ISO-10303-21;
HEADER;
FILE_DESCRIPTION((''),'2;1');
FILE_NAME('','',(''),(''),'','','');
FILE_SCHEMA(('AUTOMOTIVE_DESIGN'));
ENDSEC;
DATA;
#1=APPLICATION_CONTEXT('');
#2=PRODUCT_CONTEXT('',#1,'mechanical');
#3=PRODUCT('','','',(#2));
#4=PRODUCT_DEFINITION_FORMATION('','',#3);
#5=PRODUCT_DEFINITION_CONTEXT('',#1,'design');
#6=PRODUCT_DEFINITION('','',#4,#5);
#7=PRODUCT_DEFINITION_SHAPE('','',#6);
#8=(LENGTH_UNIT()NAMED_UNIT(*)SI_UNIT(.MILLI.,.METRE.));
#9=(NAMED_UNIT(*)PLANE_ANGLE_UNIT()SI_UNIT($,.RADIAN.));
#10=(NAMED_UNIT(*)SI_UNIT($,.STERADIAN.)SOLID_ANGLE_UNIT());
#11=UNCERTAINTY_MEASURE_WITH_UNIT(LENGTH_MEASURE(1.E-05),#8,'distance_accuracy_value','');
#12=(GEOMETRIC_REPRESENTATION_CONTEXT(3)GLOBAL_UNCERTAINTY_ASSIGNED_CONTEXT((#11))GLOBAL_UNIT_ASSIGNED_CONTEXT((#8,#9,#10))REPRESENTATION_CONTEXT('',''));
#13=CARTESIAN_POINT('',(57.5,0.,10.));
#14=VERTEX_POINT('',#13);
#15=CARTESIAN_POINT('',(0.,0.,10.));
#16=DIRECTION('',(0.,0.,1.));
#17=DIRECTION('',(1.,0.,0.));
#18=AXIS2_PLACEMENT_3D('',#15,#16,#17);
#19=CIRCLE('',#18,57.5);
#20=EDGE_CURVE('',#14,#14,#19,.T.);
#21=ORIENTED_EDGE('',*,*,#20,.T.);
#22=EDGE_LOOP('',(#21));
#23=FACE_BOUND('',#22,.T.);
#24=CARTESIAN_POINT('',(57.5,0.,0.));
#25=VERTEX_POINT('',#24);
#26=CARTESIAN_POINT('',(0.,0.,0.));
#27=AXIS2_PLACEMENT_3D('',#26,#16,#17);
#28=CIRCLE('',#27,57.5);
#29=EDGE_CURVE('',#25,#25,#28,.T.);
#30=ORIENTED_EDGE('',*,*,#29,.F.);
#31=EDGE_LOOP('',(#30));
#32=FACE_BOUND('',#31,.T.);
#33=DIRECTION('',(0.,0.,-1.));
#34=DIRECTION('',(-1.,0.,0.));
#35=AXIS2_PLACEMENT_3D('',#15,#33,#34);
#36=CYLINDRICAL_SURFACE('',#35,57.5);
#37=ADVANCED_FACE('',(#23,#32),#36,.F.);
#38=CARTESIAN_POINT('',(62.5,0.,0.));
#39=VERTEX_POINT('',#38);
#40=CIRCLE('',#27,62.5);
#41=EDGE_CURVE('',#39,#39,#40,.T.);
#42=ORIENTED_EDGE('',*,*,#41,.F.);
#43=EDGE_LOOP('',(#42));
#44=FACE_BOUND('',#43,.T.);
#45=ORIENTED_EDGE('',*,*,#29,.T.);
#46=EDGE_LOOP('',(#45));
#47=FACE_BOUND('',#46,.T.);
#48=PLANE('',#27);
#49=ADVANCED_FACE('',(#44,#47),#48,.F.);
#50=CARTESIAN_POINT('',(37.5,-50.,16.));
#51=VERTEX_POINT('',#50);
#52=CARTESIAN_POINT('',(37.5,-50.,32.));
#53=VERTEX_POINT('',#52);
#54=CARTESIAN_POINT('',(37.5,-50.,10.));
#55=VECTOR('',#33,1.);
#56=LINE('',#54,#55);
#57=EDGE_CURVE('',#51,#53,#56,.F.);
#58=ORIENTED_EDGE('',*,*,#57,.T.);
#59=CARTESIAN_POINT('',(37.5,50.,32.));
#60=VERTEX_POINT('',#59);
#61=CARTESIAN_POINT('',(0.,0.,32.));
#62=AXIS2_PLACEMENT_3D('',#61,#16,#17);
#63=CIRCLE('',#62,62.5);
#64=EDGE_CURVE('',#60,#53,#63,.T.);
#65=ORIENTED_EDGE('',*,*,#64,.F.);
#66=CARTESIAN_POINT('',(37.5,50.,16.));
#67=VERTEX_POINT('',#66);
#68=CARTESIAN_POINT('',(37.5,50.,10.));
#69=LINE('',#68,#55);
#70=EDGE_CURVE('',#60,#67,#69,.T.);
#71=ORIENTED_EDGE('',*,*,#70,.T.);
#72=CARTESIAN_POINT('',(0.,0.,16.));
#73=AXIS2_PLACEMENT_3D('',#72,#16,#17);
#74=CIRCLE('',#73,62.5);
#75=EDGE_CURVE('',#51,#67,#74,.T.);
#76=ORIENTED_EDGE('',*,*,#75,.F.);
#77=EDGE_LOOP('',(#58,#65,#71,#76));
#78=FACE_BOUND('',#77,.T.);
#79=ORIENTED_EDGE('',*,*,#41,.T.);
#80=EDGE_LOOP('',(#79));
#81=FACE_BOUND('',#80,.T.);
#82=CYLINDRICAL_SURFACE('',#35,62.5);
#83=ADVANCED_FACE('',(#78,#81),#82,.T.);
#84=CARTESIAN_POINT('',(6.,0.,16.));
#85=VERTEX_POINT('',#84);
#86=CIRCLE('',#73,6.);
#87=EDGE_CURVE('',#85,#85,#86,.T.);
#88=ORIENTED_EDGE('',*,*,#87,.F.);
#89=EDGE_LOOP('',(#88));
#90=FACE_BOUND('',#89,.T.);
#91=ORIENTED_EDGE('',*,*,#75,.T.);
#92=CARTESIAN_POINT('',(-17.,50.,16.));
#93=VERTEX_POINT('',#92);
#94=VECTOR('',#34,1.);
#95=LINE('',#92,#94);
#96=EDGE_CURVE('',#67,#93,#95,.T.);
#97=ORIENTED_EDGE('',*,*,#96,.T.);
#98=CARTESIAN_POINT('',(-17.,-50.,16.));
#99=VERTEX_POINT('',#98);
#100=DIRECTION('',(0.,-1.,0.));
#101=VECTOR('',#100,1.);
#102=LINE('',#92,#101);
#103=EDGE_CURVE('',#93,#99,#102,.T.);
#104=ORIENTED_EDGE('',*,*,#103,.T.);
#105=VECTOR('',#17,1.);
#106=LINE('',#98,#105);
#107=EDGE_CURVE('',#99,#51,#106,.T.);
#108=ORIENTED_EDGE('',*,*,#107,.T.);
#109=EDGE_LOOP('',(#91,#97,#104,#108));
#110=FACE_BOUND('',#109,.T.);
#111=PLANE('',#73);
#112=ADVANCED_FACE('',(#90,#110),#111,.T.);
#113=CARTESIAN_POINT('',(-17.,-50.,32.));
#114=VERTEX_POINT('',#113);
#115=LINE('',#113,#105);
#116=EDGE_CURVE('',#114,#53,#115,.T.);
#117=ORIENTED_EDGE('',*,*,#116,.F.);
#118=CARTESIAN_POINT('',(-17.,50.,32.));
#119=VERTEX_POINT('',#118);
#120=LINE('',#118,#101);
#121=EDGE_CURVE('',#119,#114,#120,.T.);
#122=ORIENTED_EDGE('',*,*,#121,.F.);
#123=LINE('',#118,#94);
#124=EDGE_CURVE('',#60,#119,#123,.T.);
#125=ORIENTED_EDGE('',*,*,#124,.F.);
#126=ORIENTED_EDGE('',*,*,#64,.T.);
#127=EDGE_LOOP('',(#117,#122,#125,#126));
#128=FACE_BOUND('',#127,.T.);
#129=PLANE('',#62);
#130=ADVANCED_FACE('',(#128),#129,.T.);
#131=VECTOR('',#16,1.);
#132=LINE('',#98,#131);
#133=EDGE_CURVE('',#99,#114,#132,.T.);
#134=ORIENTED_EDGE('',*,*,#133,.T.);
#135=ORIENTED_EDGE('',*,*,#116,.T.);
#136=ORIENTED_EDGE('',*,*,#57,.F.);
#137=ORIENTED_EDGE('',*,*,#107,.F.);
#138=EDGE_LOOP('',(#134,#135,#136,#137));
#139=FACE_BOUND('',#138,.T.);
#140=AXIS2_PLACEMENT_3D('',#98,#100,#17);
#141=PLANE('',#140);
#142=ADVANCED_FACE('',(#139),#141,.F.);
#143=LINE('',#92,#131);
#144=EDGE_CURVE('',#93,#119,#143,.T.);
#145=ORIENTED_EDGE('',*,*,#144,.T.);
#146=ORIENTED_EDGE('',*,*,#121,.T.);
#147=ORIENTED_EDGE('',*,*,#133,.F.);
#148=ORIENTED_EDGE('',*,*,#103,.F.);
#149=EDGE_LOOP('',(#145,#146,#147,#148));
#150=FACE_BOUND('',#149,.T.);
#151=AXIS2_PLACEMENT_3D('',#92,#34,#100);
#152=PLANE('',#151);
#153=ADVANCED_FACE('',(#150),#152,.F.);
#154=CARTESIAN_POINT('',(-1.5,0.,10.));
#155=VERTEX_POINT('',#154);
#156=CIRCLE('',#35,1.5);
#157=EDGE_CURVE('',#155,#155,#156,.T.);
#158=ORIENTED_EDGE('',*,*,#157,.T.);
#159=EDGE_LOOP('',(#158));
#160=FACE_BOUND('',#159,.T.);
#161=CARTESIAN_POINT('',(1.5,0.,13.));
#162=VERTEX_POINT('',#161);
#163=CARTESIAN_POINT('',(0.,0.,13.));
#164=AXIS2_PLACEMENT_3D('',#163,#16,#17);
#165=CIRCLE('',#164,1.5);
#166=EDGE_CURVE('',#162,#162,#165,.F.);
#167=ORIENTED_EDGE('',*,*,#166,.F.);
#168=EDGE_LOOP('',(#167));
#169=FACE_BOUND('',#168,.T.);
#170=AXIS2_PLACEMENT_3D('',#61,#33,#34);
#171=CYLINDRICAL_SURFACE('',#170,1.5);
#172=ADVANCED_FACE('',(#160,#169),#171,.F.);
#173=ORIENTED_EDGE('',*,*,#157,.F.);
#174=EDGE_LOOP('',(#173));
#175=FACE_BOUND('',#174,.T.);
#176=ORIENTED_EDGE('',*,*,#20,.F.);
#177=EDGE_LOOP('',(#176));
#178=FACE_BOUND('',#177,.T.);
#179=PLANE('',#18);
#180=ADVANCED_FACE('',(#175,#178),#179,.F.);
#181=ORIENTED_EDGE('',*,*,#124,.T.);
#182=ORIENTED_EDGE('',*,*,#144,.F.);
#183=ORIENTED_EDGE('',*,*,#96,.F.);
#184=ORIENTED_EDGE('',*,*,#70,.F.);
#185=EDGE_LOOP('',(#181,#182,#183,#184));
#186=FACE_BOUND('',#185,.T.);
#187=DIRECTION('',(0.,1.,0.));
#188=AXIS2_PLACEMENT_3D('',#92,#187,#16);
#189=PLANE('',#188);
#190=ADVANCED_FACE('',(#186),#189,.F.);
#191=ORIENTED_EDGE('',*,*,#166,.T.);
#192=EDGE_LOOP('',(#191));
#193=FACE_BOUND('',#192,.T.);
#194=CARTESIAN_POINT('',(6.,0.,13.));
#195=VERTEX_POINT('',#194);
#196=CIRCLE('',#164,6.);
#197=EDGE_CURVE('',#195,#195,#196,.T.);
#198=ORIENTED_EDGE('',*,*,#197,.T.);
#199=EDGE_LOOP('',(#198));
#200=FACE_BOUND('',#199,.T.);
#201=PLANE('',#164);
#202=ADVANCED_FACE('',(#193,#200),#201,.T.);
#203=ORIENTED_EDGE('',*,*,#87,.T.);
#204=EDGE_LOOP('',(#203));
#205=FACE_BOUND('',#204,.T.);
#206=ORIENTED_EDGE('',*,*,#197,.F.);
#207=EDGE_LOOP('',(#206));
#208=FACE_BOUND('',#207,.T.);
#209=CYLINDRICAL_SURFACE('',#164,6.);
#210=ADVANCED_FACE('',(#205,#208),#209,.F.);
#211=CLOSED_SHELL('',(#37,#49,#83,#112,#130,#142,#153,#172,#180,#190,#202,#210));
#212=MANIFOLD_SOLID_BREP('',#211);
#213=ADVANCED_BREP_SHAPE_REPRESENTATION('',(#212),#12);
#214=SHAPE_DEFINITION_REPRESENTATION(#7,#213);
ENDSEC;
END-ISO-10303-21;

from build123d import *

# Parameters (mm, degrees)
SKETCH1_R           = 62.5
SKETCH1_R_2         = 57.5
BOSS_EXTRUDE1_DEPTH = 10
SKETCH2_R           = 62.5
BOSS_EXTRUDE2_DEPTH = 22
SKETCH3_R           = 1.5
CUT_EXTRUDE1_DEPTH  = 92.08512502
SKETCH4_W           = 100
SKETCH4_H           = 100
CUT_EXTRUDE2_DEPTH  = 16
SKETCH6_R           = 6
CUT_EXTRUDE3_DEPTH  = 3


with BuildPart() as part:
    # Sketch1 → Boss-Extrude1 (new body)
    with BuildSketch(Plane.XY):
        Circle(SKETCH1_R)
        Circle(SKETCH1_R_2, mode=Mode.SUBTRACT)
    extrude(amount=BOSS_EXTRUDE1_DEPTH)

    # Sketch2 → Boss-Extrude2 (add)
    with BuildSketch(Plane.XY.offset(10)):
        Circle(SKETCH2_R)
    extrude(amount=BOSS_EXTRUDE2_DEPTH)

    # Sketch3 → Cut-Extrude1 (cut, through all)
    with BuildSketch(Plane(origin=(0, 0, 10), x_dir=(-1, 0, 0), z_dir=(0, 0, -1))):
        Circle(SKETCH3_R)
    extrude(amount=-CUT_EXTRUDE1_DEPTH, mode=Mode.SUBTRACT)

    # Sketch4 → Cut-Extrude2 (cut)
    with BuildSketch(Plane.XY.offset(32)):
        with Locations((33, 0)):
            Rectangle(SKETCH4_W, SKETCH4_H)
    extrude(amount=-CUT_EXTRUDE2_DEPTH, mode=Mode.SUBTRACT)

    # Sketch6 → Cut-Extrude3 (cut)
    with BuildSketch(Plane.XY.offset(16)):
        Circle(SKETCH6_R)
    extrude(amount=-CUT_EXTRUDE3_DEPTH, mode=Mode.SUBTRACT)


solid = part.part
